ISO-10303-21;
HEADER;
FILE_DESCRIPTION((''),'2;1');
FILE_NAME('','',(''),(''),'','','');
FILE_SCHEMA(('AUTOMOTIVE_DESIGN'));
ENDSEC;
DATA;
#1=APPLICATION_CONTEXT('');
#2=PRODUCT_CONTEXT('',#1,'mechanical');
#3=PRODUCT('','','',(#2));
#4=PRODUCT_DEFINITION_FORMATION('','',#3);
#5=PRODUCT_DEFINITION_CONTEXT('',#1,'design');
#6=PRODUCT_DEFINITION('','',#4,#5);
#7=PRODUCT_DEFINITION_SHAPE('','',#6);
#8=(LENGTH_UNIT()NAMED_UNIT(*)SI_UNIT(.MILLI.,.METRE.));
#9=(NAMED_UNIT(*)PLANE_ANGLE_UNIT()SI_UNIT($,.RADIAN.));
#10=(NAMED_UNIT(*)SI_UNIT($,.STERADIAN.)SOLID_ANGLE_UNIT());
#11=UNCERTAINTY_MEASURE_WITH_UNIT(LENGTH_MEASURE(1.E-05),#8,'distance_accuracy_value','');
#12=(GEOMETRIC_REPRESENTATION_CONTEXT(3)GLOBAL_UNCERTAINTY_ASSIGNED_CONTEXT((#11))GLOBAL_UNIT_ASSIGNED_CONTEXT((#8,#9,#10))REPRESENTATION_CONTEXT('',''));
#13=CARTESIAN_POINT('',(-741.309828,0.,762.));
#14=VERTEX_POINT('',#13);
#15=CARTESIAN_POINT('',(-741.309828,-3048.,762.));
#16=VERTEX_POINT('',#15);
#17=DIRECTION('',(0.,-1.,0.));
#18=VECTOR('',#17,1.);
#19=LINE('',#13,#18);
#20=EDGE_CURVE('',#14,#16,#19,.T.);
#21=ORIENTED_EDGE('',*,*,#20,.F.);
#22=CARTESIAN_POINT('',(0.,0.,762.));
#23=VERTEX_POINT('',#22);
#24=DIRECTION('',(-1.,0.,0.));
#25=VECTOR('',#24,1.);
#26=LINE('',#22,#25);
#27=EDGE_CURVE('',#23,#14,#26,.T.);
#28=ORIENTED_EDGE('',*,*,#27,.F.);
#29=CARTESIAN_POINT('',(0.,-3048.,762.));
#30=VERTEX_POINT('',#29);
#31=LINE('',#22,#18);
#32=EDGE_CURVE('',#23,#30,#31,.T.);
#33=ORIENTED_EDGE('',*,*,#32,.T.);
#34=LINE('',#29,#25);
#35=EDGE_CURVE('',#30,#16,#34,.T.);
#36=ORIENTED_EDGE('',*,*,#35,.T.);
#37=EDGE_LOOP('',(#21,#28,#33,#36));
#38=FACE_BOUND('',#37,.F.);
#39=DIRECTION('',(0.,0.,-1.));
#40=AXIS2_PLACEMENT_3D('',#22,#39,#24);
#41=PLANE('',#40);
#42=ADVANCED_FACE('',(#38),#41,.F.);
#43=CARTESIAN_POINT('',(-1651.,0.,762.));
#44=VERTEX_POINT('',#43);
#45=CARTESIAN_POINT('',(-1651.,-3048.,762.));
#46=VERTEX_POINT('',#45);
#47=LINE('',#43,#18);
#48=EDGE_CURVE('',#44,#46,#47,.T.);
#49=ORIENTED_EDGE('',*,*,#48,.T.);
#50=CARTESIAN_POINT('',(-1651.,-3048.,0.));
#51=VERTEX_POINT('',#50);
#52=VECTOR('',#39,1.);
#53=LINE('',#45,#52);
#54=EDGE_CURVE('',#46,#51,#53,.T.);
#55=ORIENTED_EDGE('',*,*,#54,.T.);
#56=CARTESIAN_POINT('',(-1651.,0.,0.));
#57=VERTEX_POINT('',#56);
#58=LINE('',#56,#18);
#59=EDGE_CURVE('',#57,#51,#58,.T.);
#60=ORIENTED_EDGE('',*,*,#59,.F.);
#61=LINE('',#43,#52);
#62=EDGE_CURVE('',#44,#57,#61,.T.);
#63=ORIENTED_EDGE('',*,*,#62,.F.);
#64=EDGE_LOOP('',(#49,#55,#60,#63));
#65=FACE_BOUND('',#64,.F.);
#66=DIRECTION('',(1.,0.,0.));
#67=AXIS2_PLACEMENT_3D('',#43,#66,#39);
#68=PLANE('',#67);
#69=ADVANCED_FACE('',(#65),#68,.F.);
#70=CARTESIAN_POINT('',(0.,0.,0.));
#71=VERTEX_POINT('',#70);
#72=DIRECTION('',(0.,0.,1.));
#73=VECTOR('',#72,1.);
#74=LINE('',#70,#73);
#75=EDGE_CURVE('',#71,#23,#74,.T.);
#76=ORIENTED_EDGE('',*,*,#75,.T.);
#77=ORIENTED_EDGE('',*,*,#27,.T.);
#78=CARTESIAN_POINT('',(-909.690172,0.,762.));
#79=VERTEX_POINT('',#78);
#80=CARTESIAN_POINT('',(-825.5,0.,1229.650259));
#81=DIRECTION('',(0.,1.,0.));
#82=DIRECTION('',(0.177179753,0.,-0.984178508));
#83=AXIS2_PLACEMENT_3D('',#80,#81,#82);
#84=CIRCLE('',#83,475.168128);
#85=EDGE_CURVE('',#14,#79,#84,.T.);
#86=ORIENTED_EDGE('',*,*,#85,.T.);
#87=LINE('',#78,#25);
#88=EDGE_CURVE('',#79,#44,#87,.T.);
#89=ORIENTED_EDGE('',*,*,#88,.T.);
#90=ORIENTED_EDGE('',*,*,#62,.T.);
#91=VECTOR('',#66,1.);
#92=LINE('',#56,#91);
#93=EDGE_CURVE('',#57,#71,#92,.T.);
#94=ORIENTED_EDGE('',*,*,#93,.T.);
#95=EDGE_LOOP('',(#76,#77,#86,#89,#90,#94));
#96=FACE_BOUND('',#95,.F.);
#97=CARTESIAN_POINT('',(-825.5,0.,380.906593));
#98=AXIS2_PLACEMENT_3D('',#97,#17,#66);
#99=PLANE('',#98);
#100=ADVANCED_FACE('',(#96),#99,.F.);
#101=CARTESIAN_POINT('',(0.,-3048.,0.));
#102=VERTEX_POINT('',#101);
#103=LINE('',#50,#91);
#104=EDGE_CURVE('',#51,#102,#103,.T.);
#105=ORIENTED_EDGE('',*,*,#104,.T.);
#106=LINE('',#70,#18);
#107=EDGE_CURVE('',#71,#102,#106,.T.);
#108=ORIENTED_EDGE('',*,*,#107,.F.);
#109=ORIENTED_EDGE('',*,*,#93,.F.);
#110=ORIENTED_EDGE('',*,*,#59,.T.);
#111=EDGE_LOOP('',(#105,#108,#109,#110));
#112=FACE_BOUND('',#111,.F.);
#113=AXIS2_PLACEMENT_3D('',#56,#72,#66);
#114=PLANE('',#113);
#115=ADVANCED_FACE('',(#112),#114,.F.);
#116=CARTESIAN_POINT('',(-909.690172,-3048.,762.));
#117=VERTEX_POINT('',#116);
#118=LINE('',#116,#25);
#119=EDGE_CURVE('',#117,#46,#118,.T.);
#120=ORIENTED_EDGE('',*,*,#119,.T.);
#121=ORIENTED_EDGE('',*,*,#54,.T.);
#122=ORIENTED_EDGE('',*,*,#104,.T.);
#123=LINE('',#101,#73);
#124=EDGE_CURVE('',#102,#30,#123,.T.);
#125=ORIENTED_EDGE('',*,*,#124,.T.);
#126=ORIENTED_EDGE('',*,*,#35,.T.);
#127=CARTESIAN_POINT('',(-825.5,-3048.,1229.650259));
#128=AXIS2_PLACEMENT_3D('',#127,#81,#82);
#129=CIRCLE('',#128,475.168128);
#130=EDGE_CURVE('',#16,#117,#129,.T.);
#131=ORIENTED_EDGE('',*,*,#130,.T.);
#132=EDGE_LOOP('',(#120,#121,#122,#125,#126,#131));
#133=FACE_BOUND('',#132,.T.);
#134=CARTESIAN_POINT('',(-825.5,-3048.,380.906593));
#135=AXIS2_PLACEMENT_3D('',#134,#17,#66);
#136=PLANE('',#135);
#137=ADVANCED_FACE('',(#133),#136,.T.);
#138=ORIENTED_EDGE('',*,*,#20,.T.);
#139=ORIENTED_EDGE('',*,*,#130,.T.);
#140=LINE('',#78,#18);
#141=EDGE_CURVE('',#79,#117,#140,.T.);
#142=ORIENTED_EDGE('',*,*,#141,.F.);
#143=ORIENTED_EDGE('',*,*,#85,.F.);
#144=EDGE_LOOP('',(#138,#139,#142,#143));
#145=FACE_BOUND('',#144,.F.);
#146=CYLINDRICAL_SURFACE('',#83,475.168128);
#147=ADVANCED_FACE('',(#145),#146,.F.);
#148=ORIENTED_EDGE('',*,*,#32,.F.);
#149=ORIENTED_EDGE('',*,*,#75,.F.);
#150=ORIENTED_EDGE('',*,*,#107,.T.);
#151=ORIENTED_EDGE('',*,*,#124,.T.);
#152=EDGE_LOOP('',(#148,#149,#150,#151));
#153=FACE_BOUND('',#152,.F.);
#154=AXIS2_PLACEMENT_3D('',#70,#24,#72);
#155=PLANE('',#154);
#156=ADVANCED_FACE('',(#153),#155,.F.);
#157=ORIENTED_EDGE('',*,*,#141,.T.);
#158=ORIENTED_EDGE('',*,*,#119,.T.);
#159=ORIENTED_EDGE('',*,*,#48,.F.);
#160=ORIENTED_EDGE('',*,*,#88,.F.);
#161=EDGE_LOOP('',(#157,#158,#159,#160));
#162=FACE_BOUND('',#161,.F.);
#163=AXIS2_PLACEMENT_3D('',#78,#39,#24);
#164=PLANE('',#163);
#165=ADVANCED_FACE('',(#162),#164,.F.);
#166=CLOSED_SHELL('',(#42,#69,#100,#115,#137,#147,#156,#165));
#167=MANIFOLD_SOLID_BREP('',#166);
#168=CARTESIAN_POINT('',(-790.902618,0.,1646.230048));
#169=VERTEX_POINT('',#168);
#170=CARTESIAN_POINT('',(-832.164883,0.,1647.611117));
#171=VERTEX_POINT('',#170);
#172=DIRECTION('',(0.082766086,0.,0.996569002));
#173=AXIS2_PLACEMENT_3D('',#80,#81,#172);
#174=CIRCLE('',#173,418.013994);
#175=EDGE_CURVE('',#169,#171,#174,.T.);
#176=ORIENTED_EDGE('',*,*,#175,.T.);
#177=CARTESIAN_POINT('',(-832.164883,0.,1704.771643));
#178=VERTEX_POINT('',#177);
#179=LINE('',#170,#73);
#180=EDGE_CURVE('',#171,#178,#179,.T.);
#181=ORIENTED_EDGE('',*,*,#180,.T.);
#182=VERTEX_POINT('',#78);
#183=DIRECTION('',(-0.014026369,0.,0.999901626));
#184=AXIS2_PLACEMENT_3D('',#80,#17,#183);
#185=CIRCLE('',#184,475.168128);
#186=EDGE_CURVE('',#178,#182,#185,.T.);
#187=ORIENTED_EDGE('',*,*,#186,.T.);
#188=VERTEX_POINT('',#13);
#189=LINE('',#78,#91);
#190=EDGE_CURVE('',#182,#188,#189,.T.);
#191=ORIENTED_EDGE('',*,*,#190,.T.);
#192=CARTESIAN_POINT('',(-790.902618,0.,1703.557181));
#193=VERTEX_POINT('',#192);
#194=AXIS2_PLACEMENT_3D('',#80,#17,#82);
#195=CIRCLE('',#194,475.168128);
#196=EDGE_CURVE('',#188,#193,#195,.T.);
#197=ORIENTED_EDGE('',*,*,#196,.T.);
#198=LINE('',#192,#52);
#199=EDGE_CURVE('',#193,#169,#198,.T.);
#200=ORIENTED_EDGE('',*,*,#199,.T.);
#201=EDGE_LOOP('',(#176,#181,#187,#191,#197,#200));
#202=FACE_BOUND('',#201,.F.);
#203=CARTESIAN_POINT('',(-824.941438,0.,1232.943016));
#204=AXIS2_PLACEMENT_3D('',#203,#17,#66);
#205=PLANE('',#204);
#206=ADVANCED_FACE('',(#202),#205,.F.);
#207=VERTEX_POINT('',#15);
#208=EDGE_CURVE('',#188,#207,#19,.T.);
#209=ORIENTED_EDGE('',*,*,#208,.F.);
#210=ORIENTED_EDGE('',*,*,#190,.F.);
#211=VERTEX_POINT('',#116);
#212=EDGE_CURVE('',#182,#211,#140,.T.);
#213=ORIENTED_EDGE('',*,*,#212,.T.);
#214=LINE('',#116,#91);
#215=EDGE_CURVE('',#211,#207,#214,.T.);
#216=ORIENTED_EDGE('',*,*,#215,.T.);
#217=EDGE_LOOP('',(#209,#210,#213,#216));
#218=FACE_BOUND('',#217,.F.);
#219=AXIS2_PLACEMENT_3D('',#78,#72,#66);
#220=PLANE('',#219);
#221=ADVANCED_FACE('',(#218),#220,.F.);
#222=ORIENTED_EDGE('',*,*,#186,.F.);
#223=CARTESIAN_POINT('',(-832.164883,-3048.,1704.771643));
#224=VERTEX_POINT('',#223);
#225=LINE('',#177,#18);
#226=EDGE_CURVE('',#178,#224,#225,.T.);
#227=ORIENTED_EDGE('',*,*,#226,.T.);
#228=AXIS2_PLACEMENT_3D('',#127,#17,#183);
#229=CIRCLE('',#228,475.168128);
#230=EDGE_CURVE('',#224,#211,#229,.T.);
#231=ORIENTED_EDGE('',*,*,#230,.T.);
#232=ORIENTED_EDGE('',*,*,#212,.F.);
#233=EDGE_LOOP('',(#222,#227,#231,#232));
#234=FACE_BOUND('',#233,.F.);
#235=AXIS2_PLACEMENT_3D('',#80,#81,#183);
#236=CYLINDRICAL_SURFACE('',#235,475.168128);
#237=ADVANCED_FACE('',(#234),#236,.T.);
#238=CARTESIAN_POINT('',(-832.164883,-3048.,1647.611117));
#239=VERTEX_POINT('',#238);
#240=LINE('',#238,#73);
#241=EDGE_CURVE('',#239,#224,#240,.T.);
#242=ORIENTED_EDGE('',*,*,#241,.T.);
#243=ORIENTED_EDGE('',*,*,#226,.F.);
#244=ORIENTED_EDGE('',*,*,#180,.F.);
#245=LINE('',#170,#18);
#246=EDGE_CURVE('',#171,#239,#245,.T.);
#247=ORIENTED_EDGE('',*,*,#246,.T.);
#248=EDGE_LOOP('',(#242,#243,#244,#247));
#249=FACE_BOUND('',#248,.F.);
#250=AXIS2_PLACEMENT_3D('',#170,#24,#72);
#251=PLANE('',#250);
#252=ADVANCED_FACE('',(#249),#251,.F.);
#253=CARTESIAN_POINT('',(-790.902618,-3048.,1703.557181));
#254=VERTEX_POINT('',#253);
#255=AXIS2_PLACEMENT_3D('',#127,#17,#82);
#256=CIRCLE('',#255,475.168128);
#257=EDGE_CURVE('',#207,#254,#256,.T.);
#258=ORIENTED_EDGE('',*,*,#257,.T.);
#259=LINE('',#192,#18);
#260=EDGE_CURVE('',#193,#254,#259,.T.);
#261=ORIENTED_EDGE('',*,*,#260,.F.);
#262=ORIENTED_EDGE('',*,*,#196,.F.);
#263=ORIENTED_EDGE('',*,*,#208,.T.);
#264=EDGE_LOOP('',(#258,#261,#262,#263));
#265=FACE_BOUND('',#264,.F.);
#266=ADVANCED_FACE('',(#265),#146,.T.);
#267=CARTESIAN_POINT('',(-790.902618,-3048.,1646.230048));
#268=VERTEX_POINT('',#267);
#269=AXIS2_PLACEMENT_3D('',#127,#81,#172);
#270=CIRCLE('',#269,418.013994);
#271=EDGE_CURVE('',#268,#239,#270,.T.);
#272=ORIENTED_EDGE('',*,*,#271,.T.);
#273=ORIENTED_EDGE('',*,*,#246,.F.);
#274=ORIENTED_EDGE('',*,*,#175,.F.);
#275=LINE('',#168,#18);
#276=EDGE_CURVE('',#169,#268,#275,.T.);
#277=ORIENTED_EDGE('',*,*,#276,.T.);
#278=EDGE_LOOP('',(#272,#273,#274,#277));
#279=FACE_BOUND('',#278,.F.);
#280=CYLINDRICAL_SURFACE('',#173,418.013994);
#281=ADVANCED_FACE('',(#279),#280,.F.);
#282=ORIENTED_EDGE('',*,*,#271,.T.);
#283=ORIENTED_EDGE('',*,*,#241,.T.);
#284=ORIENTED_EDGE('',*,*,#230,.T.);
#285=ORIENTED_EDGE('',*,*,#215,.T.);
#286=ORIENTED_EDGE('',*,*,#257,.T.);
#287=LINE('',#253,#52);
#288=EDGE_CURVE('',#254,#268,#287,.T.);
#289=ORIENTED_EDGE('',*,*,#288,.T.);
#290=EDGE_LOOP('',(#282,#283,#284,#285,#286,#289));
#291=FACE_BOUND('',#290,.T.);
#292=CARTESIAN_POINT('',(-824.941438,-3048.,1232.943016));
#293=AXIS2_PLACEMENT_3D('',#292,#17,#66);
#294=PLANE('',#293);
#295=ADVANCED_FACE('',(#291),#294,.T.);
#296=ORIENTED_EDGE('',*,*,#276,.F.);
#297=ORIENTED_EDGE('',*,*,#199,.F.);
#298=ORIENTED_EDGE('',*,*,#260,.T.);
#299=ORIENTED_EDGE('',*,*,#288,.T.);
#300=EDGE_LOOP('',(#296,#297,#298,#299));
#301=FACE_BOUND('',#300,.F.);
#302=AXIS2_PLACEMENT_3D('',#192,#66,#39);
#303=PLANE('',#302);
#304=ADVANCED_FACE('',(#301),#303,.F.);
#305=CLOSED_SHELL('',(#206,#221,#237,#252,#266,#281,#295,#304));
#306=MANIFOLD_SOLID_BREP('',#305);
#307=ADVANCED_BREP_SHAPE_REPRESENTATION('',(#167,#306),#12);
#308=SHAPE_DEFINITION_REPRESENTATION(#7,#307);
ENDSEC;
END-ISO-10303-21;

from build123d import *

# Parameters (mm, degrees)
F1_DEPTH = 3048


with BuildPart() as f1:
    # F0 (on Front) → F1 (new body)
    with BuildSketch(Plane.XZ):
        with BuildLine():
            Line((-909.6901716631, 762), (-741.3098283369, 762))
            ThreePointArc((-741.3098283369, 762), (-460.9528590016, 924.8714346976), (-350.3318721082, 1229.6502590179))
            ThreePointArc((-350.3318721082, 1229.6502590179), (-477.4882737869, 1553.1816920849), (-790.9026176537, 1703.5571812073))
            Line((-790.9026176537, 1703.5571812073), (-790.9026176537, 1646.2300479467))
            ThreePointArc((-790.9026176537, 1646.2300479467), (-517.9305855623, 1512.7346187264), (-407.4860057257, 1229.6502590179))
            ThreePointArc((-407.4860057257, 1229.6502590179), (-1118.7146695566, 931.722655453), (-832.1648833793, 1647.6111169205))
            Line((-832.1648833793, 1647.6111169205), (-832.1648833793, 1704.7716425546))
            ThreePointArc((-832.1648833793, 1704.7716425546), (-1299.0696915534, 1268.5924855371), (-909.6901716631, 762))
        make_face()
    extrude(amount=F1_DEPTH)


with BuildPart() as f1b:
    # F0 (on Front) → F1, piece 2 (new body)
    with BuildSketch(Plane.XZ):
        with BuildLine():
            Line((-1651, 0), (0, 0))
            Line((0, 0), (0, 762))
            Line((0, 762), (-741.3098283369, 762))
            ThreePointArc((-741.3098283369, 762), (-825.5, 754.4821311261), (-909.6901716631, 762))
            Line((-909.6901716631, 762), (-1651, 762))
            Line((-1651, 762), (-1651, 0))
        make_face()
    extrude(amount=F1_DEPTH)


solid = Compound([f1.part, f1b.part])
